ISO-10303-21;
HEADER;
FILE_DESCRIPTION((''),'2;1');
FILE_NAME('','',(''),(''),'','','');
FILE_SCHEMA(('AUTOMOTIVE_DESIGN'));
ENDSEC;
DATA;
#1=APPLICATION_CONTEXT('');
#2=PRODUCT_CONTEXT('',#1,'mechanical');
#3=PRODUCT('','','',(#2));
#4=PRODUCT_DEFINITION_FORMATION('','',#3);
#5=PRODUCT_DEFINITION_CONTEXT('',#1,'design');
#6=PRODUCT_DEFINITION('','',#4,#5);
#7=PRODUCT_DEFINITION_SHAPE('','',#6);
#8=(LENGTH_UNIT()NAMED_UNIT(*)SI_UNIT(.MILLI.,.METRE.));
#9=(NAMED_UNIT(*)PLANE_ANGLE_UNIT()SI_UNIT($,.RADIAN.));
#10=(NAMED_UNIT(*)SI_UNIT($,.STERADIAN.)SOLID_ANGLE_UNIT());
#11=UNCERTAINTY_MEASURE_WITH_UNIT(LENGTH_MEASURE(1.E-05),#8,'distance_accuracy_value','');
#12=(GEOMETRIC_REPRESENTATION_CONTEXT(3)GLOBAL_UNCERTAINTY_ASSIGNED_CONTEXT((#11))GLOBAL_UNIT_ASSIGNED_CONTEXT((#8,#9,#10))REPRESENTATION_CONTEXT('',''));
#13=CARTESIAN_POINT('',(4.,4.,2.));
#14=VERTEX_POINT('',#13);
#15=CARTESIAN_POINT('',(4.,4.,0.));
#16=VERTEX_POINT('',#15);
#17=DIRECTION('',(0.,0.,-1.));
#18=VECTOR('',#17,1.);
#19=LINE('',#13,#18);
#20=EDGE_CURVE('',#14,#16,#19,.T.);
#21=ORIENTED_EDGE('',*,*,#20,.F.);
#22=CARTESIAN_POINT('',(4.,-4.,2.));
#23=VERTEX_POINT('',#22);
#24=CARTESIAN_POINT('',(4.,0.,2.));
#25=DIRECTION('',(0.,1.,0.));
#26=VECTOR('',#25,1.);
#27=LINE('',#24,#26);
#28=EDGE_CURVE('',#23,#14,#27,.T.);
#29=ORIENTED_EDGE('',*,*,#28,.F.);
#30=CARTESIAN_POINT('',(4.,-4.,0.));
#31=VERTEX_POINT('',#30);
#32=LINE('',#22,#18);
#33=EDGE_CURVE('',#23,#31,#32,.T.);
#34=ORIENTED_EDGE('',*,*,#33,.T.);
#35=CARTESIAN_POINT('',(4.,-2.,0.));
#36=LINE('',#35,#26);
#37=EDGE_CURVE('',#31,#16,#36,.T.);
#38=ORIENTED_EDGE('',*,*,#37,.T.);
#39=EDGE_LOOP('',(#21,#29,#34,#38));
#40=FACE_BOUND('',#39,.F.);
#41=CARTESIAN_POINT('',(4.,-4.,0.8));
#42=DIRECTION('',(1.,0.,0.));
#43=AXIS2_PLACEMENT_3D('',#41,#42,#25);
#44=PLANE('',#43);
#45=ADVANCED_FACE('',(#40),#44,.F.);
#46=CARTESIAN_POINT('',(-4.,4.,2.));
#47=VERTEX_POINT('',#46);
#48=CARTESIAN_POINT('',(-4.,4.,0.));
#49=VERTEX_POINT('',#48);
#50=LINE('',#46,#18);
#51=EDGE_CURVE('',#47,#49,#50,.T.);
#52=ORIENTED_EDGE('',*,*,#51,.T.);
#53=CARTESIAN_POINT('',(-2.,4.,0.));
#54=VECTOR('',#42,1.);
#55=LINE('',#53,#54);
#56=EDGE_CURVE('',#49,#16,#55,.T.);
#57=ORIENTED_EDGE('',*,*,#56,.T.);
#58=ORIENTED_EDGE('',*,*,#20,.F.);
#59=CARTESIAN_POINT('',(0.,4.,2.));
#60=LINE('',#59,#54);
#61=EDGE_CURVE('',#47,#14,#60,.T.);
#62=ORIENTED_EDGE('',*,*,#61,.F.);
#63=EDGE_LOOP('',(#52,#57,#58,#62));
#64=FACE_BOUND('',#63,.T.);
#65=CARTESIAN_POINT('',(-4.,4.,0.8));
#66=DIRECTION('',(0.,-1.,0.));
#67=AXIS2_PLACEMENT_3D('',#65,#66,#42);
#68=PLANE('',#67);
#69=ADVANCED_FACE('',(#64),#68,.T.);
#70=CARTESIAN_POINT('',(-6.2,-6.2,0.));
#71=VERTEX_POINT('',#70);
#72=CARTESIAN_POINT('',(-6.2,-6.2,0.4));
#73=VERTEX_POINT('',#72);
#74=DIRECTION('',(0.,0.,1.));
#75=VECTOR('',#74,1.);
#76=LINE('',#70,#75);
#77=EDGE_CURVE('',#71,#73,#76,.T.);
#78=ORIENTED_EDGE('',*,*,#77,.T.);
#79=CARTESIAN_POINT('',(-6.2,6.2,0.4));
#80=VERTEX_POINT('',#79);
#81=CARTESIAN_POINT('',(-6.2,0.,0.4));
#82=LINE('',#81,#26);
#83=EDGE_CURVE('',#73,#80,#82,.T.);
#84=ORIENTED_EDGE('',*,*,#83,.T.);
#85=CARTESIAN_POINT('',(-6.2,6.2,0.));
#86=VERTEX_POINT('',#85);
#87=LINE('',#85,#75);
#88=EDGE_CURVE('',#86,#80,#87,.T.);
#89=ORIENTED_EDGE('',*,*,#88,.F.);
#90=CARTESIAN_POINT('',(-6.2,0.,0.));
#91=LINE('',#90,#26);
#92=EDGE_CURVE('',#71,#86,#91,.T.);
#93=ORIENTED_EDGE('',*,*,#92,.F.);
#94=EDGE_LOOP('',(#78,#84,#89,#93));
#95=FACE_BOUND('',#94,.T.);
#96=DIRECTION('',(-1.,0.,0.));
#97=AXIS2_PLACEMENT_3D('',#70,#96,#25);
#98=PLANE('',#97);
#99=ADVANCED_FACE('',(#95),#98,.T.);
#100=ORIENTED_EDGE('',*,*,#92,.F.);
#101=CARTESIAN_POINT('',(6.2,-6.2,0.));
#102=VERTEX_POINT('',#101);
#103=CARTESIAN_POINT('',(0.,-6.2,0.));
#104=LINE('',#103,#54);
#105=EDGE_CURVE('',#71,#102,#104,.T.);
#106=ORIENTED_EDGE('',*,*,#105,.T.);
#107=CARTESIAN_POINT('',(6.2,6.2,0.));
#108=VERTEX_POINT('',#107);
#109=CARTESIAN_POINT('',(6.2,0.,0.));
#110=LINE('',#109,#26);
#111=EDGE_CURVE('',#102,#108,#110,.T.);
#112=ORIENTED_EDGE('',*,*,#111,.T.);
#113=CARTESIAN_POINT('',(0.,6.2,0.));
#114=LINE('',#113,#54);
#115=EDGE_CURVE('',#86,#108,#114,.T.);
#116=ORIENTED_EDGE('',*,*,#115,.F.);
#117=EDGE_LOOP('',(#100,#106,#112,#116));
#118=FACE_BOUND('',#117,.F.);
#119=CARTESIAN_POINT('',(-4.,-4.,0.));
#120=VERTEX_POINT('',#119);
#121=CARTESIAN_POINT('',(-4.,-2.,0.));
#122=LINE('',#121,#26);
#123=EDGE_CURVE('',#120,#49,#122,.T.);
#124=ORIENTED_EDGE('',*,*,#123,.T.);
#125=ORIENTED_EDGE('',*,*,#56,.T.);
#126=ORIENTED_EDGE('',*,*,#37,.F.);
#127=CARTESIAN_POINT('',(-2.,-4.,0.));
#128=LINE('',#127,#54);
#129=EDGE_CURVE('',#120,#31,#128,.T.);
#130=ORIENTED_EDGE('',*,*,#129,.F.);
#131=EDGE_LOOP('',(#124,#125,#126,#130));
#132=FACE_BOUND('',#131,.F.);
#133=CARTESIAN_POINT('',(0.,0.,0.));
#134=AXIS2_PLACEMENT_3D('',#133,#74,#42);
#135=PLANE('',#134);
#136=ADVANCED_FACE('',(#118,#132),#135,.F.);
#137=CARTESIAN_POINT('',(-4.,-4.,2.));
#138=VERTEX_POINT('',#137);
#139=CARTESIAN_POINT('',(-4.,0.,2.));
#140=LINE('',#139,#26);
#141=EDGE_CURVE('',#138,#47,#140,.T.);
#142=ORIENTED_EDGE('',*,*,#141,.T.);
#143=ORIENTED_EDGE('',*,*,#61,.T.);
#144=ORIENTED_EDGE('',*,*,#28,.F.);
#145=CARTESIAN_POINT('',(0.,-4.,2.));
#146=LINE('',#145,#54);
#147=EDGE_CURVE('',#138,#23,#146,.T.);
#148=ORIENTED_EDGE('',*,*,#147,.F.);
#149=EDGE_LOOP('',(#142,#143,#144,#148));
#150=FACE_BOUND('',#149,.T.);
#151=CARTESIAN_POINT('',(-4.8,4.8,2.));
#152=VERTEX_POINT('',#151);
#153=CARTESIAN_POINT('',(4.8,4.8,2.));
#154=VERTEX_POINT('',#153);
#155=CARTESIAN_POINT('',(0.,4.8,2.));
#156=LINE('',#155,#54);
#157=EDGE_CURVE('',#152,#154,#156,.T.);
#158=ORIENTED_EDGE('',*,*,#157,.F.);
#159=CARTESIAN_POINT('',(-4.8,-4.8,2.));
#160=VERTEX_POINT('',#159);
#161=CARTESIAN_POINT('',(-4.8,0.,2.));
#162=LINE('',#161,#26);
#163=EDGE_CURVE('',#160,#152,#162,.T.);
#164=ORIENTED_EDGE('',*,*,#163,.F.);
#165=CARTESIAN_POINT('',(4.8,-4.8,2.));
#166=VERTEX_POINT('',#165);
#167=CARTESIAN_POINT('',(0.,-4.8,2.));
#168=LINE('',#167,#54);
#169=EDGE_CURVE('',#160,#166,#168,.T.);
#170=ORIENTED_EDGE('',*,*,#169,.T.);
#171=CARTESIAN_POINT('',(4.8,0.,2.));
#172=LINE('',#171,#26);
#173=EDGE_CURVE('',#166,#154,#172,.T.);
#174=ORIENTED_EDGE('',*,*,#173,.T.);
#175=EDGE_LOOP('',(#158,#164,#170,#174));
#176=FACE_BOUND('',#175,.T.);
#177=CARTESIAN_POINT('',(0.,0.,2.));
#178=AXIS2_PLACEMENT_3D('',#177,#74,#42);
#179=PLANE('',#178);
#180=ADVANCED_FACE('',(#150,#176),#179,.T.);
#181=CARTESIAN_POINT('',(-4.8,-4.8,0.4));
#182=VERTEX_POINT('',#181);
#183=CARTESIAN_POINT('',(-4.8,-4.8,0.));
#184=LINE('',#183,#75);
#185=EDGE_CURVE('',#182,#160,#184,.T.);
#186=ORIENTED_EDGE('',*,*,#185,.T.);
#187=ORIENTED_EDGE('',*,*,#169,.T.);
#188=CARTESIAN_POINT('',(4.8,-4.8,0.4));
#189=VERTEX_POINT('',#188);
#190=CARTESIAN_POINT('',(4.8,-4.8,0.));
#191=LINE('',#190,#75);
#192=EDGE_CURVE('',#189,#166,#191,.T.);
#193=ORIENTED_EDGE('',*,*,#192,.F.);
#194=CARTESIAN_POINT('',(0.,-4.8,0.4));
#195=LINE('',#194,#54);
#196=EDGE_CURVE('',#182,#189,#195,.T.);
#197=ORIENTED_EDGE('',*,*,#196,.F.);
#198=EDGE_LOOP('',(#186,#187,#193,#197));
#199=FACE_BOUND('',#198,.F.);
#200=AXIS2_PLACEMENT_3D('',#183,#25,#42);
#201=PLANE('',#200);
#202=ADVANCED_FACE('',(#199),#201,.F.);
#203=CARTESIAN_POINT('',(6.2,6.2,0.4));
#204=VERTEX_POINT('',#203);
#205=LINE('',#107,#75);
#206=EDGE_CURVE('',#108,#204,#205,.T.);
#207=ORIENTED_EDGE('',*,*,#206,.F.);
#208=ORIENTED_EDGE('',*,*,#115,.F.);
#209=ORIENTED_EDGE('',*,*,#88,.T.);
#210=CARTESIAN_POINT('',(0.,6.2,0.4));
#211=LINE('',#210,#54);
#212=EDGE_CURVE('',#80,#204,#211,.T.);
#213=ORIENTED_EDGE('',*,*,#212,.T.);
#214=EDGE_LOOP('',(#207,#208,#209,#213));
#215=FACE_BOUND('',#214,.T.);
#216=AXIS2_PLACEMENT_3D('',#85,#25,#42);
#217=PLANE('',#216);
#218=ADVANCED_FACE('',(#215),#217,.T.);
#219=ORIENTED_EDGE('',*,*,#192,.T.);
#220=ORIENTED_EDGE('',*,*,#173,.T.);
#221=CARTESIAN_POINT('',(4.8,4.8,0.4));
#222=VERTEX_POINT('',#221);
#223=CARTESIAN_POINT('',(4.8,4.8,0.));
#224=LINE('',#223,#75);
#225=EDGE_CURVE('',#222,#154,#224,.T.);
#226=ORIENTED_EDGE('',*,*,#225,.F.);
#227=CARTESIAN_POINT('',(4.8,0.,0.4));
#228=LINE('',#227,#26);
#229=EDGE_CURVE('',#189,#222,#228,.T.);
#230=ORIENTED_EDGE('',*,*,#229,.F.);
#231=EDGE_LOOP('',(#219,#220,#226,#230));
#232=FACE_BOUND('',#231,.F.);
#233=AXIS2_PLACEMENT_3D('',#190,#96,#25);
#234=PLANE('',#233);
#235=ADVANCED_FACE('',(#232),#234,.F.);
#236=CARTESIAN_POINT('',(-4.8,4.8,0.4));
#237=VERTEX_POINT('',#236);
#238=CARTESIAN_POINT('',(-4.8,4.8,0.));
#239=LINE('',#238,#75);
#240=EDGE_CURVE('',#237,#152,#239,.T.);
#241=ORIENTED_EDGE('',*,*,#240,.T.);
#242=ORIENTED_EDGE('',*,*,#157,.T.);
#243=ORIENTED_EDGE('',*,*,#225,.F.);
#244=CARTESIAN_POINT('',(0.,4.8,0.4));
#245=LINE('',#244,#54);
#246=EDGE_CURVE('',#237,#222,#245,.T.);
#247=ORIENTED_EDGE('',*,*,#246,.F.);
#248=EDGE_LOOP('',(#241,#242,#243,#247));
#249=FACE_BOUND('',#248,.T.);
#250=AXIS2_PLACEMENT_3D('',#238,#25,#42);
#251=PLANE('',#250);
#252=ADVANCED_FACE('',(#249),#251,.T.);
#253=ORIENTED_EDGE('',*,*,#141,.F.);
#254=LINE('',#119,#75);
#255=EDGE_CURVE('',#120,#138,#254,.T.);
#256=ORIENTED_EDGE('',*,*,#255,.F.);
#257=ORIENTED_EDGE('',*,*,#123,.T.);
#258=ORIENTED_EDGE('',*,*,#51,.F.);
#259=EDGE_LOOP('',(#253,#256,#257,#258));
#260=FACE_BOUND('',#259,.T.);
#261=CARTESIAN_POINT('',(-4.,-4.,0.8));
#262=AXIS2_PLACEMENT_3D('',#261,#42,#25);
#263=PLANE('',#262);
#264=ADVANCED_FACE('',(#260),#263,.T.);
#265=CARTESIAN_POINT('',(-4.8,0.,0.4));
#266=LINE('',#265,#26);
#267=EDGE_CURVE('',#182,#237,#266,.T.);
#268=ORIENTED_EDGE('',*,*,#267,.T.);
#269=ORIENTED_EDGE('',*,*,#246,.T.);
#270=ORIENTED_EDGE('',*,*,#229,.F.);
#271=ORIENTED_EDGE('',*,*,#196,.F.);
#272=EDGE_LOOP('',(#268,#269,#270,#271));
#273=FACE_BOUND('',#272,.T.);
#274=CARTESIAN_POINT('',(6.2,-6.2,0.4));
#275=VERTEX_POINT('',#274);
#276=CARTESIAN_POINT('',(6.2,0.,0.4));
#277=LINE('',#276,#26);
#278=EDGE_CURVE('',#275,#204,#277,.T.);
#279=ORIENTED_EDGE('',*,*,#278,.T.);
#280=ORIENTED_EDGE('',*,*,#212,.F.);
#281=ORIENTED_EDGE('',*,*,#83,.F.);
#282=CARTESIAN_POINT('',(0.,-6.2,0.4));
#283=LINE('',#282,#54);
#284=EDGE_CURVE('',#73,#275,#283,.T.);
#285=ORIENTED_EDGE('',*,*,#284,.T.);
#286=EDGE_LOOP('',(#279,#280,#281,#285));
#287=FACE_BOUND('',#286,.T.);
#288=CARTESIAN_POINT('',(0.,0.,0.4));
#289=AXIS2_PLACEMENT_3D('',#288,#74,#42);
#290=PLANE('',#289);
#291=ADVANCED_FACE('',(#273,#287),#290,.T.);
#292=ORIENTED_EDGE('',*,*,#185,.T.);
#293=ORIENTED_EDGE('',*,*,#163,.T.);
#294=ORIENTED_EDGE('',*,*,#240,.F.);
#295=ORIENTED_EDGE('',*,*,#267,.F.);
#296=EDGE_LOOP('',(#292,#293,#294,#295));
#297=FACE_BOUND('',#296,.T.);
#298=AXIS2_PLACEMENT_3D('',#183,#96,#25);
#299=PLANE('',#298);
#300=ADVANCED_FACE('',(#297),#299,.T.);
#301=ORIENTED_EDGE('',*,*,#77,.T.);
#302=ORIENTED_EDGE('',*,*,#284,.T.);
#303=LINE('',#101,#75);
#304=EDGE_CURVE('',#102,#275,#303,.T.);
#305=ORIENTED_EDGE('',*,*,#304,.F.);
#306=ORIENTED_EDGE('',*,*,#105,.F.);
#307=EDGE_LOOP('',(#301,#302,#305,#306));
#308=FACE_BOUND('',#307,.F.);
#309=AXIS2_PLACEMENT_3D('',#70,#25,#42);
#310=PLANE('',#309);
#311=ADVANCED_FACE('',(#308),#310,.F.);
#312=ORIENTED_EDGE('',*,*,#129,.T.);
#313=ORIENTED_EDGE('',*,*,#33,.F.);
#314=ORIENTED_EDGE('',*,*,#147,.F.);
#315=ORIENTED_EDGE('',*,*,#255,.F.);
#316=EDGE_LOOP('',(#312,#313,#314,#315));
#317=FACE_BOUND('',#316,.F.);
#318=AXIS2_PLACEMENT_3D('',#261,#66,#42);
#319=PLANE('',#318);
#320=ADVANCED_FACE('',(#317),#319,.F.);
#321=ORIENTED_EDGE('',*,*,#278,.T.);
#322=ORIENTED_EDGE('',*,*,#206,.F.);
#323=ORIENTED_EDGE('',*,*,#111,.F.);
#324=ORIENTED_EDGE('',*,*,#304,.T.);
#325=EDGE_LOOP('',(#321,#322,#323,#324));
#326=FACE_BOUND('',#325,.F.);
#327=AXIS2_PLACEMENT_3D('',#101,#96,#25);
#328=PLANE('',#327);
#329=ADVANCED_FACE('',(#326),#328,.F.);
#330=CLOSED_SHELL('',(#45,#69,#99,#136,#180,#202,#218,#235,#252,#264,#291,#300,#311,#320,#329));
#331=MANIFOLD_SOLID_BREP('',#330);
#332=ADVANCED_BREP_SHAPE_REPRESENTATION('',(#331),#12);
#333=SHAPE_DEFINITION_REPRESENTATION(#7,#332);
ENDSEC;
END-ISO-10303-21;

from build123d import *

# Parameters (mm, degrees)
F0_W     = 9.6
F0_H     = 9.6
F1_DEPTH = 2
F2_T     = -0.8
F0_W_2   = 12.4
F0_H_2   = 12.4
F3_DEPTH = 0.4
F4_DEPTH = 1


with BuildPart() as f1:
    # F0 (on Top) → F1 (new body)
    with BuildSketch(Plane.XY):
        Rectangle(F0_W, F0_H)
    extrude(amount=F1_DEPTH)

    # F2
    f2_openings = [f1.faces().sort_by_distance(p)[0] for p in [
        (0, 0, 2),
    ]]
    offset(amount=F2_T, openings=f2_openings)

    # F0 (on Top) → F3 (join)
    with BuildSketch(Plane.XY):
        Rectangle(F0_W_2, F0_H_2)
        Rectangle(F0_W, F0_H, mode=Mode.SUBTRACT)
    extrude(amount=F3_DEPTH)

    # F4 (cut): a face of the model
    f4_faces = [f1.faces().sort_by_distance(p)[0] for p in [
        (0, 0, 0.8),
    ]]
    extrude(f4_faces, amount=-F4_DEPTH, mode=Mode.SUBTRACT)


solid = f1.part
